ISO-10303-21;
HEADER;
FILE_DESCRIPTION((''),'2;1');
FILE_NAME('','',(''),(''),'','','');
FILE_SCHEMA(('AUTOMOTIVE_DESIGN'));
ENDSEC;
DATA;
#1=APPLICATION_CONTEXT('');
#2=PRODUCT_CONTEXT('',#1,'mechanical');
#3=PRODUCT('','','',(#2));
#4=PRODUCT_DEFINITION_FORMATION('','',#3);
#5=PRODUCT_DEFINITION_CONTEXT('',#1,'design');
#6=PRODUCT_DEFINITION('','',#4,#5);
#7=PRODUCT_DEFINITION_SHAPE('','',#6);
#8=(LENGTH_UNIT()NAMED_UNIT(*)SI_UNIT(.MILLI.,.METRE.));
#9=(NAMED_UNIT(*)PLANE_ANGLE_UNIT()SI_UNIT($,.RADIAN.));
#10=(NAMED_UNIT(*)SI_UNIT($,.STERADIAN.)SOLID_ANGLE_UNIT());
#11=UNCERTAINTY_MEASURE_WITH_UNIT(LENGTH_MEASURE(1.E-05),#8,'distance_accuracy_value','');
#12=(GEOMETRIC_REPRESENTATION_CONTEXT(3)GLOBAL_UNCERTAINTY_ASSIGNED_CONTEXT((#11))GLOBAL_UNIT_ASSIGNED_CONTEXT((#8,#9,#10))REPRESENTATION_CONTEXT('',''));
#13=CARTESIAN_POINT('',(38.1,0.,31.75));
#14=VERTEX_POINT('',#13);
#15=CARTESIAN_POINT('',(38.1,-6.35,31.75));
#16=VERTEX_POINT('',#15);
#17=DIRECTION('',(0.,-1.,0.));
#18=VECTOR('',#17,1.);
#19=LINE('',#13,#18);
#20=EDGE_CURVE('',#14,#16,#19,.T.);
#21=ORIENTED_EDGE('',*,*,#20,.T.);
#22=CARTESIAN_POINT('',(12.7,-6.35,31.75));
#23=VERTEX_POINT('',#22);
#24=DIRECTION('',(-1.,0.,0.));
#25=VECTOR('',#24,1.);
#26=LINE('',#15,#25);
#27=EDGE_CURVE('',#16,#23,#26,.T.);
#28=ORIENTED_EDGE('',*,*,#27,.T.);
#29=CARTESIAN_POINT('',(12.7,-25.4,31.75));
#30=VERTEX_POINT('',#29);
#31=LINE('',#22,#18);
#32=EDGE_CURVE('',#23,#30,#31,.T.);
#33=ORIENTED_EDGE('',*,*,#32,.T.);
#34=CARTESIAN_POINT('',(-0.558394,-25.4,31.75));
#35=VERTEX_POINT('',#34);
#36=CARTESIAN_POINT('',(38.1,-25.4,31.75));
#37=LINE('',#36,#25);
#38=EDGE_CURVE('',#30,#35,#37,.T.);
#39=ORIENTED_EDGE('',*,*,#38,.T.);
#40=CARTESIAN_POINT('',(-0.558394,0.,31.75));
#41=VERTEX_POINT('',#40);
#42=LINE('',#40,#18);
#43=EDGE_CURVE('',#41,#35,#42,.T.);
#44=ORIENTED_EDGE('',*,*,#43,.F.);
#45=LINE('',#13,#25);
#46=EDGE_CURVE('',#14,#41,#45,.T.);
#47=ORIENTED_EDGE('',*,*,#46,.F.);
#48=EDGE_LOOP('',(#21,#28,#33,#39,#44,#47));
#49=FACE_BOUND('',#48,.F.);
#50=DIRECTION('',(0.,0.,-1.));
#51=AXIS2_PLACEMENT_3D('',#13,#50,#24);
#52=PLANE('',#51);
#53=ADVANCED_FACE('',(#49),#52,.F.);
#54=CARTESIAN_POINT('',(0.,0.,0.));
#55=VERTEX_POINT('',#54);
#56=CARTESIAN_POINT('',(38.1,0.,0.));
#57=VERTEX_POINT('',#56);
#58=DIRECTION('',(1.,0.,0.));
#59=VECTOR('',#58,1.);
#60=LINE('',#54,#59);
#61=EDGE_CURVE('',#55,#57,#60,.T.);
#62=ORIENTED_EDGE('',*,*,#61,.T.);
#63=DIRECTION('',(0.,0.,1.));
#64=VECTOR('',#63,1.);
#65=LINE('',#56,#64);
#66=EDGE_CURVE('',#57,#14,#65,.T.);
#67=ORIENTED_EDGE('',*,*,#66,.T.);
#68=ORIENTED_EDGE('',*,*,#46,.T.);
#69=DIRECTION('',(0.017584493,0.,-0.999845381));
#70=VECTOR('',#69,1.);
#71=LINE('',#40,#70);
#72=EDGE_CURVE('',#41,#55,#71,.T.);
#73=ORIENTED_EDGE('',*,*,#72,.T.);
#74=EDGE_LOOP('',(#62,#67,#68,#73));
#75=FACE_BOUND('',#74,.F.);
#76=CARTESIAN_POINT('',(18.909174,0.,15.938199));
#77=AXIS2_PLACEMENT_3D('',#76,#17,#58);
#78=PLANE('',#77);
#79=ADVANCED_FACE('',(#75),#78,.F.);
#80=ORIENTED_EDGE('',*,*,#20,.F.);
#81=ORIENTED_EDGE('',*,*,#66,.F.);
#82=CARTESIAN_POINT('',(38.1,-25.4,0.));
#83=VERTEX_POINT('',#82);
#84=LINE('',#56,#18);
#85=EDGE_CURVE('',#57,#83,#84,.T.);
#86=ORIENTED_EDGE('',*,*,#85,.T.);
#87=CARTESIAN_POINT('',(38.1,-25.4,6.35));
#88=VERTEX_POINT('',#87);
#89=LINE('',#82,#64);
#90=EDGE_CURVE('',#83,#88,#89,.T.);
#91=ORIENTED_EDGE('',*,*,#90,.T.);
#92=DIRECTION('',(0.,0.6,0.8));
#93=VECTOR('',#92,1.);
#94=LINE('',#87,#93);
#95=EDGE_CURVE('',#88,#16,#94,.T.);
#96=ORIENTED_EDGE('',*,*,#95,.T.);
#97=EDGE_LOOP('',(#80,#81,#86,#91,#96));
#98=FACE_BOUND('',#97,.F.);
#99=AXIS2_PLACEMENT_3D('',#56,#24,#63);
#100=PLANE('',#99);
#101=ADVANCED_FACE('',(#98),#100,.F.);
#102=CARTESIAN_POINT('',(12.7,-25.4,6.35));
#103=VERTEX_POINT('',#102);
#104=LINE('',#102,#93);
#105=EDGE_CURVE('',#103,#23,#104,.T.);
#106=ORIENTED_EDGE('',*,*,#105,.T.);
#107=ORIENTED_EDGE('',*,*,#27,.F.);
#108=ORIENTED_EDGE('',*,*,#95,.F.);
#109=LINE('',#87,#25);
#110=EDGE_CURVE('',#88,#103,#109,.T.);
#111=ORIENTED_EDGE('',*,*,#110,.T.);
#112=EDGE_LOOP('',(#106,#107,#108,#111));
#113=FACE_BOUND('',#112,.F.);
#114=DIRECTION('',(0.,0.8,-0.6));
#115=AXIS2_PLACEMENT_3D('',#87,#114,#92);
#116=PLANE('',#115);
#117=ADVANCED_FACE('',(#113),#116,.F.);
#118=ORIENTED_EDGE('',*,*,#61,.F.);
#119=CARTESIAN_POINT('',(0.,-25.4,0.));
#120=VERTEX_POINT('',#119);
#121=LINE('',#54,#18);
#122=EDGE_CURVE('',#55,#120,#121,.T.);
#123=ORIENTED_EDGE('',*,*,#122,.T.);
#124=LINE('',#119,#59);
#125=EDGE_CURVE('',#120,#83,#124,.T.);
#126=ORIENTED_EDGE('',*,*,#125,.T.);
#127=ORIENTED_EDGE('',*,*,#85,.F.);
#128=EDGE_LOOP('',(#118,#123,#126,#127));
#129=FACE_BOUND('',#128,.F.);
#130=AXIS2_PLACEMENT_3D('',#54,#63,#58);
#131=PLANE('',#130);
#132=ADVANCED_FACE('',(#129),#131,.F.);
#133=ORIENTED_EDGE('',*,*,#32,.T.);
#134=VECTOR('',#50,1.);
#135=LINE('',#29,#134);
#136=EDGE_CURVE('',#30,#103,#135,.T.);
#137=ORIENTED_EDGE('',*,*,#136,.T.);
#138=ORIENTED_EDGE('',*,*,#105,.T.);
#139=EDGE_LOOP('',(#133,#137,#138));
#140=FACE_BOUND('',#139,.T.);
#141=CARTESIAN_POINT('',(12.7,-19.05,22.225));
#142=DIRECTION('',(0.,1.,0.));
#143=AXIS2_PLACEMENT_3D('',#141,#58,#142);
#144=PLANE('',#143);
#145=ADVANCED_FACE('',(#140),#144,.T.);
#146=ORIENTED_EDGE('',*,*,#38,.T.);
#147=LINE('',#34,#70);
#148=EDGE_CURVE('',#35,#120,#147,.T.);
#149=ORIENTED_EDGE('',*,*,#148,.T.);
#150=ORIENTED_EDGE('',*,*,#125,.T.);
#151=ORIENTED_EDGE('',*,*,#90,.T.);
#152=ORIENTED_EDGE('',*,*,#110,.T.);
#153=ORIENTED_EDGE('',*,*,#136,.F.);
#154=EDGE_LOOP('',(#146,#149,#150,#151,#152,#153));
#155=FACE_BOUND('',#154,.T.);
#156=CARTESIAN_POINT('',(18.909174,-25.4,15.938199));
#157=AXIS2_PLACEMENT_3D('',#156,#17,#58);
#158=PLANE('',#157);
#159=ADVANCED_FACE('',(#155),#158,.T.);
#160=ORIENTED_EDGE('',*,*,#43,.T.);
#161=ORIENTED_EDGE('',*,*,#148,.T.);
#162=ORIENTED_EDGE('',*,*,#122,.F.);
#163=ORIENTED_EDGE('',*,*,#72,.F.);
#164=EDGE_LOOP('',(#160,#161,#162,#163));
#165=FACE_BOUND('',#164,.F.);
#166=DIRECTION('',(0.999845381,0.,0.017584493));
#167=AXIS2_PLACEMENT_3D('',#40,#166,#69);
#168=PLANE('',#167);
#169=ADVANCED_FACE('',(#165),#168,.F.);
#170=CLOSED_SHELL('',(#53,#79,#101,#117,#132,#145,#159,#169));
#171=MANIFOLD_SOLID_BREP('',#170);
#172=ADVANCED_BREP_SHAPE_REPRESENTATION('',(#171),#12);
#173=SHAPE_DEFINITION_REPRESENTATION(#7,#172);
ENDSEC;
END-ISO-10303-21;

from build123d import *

# Parameters (mm, degrees)
F1_DEPTH = 25.4
F3_DEPTH = 25.4


with BuildPart() as f1:
    # F0 (on Front) → F1 (new body)
    with BuildSketch(Plane.XZ):
        Polygon((-0.558394, 31.75), (0, 0), (38.1, 0), (38.1, 31.75), align=None)
    extrude(amount=F1_DEPTH)

    # F2 (on face) → F3 (cut)
    with BuildSketch(Plane.YZ.offset(38.1)):
        Polygon((-25.4, 6.35), (-6.35, 31.75), (-25.4, 31.75), align=None)
    extrude(amount=-F3_DEPTH, mode=Mode.SUBTRACT)


solid = f1.part
